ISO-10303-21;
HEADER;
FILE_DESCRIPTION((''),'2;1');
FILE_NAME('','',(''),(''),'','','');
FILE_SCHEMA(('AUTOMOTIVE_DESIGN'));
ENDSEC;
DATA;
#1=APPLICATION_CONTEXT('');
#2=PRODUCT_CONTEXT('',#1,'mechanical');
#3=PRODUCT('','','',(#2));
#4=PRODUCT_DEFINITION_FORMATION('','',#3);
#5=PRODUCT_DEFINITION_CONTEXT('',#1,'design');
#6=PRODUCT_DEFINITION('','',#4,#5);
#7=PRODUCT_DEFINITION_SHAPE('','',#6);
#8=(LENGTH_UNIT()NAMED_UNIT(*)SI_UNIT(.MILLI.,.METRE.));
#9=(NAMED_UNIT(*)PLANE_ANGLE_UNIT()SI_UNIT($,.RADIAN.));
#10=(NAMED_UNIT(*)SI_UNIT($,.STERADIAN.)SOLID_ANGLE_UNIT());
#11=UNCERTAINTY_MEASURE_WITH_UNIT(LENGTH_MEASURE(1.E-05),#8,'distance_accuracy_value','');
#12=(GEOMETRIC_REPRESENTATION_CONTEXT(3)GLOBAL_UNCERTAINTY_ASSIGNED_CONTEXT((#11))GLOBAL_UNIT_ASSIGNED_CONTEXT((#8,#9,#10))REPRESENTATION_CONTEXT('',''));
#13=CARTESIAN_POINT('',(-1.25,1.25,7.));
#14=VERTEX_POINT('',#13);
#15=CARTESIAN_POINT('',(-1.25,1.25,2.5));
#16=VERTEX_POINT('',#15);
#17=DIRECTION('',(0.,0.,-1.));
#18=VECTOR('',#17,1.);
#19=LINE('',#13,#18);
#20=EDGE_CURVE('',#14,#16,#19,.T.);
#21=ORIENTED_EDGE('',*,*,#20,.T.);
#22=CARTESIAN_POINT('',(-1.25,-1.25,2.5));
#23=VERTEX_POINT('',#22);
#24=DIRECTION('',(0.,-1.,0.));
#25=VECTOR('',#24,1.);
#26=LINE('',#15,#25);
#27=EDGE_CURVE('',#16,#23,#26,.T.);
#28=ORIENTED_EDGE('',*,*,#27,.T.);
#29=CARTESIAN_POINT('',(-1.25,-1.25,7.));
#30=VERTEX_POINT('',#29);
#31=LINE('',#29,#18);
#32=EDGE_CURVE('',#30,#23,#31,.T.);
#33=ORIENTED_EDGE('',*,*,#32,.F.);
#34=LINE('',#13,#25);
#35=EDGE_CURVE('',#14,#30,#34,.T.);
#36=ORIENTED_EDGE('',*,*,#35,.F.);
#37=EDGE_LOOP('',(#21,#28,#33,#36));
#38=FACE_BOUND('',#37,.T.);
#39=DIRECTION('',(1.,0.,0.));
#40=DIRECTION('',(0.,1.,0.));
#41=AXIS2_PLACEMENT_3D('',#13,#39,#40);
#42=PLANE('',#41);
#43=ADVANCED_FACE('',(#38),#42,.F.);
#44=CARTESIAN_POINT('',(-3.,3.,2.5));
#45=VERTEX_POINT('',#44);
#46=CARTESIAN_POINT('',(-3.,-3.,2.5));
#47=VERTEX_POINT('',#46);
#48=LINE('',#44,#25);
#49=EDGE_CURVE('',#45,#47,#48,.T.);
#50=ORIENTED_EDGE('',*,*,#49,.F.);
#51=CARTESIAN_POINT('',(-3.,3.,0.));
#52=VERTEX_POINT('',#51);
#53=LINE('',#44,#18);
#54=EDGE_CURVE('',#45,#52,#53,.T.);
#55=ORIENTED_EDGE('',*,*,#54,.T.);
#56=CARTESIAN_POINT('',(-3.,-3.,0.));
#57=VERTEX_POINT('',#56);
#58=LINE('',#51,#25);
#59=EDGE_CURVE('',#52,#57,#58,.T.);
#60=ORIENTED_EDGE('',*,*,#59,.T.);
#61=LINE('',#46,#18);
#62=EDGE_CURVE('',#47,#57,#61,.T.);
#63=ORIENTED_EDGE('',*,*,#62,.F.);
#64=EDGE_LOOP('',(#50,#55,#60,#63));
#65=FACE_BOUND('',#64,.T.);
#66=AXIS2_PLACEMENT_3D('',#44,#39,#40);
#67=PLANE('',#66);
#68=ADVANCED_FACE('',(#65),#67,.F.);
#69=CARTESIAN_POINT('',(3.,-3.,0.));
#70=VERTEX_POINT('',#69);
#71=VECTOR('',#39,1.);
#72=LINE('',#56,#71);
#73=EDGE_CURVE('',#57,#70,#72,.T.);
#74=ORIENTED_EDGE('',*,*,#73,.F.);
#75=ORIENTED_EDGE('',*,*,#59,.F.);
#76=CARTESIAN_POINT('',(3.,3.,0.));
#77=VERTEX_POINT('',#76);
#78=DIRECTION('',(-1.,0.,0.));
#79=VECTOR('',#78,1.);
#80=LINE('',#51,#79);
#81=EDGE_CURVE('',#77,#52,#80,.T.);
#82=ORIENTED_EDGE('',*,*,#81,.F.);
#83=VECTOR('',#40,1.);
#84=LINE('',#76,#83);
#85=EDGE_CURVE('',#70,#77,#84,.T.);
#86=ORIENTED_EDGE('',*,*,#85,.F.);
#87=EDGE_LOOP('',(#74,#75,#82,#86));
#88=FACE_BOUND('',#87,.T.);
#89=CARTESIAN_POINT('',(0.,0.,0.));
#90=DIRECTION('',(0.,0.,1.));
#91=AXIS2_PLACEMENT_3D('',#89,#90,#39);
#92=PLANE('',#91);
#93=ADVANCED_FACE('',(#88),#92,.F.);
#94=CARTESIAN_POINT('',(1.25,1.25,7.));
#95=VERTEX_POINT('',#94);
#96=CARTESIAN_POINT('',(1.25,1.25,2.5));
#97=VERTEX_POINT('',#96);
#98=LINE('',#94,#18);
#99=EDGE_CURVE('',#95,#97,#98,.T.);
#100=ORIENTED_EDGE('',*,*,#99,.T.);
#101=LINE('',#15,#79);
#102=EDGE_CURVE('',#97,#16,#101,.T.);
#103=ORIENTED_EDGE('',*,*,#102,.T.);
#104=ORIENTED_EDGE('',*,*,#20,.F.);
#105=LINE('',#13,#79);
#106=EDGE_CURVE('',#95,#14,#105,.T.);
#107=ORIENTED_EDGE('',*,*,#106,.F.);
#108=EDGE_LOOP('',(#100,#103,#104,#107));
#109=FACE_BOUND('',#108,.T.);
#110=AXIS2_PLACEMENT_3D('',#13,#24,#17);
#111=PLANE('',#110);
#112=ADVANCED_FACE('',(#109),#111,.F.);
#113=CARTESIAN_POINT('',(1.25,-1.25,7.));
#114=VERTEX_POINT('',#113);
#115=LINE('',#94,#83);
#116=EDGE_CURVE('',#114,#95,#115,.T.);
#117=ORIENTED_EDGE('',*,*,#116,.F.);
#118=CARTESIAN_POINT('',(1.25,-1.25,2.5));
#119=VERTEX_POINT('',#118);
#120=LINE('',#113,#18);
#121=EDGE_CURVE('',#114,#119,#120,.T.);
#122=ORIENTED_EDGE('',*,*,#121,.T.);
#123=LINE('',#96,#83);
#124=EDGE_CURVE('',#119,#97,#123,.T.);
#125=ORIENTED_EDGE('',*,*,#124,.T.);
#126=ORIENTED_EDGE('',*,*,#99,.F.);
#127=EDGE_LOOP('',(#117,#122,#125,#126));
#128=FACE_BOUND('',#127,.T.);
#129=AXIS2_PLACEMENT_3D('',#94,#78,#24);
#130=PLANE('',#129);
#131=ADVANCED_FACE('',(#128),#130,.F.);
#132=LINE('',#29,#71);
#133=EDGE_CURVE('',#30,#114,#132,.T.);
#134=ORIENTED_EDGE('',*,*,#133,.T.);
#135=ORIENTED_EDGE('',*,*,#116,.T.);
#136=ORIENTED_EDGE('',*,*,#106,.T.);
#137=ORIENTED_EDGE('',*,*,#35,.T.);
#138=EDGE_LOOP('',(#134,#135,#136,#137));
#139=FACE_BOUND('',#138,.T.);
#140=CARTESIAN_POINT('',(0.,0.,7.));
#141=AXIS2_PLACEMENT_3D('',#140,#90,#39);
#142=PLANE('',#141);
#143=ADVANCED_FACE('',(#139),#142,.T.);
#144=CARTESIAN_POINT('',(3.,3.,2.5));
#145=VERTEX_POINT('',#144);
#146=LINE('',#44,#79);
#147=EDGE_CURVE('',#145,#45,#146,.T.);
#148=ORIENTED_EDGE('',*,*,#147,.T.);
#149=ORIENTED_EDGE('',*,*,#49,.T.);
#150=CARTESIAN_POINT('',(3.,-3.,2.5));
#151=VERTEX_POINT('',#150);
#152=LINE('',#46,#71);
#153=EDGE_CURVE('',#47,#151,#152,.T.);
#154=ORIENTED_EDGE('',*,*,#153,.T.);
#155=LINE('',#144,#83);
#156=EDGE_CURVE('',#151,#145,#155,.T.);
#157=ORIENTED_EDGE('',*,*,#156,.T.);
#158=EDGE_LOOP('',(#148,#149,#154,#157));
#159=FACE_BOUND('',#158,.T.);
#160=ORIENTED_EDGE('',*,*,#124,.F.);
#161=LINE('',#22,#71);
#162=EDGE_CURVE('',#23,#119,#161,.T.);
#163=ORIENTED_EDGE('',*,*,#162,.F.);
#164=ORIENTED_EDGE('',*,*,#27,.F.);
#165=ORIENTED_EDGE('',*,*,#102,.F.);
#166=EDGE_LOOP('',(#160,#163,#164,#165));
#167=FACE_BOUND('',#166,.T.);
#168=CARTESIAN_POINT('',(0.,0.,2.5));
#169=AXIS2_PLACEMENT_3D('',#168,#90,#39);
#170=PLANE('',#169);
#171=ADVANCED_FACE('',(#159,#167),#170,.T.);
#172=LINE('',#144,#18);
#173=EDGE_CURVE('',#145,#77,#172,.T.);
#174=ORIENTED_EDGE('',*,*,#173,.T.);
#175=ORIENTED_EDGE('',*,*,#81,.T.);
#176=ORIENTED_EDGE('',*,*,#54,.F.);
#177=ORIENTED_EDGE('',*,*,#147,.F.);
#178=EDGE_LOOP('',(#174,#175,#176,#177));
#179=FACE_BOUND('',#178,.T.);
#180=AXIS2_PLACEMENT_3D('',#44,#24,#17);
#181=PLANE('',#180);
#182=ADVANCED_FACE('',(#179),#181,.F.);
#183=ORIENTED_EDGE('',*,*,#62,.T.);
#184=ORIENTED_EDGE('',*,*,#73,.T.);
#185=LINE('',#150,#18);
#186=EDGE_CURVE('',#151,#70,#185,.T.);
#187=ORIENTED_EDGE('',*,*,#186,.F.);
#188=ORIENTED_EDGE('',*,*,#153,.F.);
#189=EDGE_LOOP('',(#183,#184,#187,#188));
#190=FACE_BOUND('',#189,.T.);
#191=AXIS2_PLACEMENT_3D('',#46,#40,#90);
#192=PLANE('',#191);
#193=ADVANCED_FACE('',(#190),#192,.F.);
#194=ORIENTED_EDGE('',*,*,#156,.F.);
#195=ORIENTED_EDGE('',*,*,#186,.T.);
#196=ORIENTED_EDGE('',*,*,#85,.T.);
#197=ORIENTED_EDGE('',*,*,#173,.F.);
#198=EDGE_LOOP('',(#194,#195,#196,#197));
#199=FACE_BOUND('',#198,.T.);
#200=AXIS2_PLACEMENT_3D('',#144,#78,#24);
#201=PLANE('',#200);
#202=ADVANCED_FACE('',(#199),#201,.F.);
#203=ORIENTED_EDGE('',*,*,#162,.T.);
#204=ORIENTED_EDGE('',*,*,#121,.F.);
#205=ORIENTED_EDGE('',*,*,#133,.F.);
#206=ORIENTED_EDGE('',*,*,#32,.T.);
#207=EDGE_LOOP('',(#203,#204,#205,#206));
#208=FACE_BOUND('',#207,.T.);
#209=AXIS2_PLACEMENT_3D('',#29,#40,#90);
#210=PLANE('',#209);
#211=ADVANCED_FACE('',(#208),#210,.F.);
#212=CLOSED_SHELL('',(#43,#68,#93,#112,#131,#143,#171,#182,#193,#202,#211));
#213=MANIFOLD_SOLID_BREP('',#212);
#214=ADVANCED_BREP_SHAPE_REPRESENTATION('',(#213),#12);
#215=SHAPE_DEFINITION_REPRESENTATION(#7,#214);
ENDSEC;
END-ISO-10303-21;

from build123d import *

# Parameters (mm, degrees)
SZKIC1_W                    = 6
SZKIC1_H                    = 6
DODANIE_WYCI_GNI_CIE1_DEPTH = 2.5
SZKIC2_W                    = 2.5
SZKIC2_H                    = 2.5
DODANIE_WYCI_GNI_CIE2_DEPTH = 4.5


with BuildPart() as part:
    # Szkic1 → Dodanie-wyciągnięcie1 (new body)
    with BuildSketch(Plane.XY):
        Rectangle(SZKIC1_W, SZKIC1_H)
    extrude(amount=DODANIE_WYCI_GNI_CIE1_DEPTH)

    # Szkic2 → Dodanie-wyciągnięcie2 (add)
    with BuildSketch(Plane.XY.offset(2.5)):
        Rectangle(SZKIC2_W, SZKIC2_H)
    extrude(amount=DODANIE_WYCI_GNI_CIE2_DEPTH)


solid = part.part
